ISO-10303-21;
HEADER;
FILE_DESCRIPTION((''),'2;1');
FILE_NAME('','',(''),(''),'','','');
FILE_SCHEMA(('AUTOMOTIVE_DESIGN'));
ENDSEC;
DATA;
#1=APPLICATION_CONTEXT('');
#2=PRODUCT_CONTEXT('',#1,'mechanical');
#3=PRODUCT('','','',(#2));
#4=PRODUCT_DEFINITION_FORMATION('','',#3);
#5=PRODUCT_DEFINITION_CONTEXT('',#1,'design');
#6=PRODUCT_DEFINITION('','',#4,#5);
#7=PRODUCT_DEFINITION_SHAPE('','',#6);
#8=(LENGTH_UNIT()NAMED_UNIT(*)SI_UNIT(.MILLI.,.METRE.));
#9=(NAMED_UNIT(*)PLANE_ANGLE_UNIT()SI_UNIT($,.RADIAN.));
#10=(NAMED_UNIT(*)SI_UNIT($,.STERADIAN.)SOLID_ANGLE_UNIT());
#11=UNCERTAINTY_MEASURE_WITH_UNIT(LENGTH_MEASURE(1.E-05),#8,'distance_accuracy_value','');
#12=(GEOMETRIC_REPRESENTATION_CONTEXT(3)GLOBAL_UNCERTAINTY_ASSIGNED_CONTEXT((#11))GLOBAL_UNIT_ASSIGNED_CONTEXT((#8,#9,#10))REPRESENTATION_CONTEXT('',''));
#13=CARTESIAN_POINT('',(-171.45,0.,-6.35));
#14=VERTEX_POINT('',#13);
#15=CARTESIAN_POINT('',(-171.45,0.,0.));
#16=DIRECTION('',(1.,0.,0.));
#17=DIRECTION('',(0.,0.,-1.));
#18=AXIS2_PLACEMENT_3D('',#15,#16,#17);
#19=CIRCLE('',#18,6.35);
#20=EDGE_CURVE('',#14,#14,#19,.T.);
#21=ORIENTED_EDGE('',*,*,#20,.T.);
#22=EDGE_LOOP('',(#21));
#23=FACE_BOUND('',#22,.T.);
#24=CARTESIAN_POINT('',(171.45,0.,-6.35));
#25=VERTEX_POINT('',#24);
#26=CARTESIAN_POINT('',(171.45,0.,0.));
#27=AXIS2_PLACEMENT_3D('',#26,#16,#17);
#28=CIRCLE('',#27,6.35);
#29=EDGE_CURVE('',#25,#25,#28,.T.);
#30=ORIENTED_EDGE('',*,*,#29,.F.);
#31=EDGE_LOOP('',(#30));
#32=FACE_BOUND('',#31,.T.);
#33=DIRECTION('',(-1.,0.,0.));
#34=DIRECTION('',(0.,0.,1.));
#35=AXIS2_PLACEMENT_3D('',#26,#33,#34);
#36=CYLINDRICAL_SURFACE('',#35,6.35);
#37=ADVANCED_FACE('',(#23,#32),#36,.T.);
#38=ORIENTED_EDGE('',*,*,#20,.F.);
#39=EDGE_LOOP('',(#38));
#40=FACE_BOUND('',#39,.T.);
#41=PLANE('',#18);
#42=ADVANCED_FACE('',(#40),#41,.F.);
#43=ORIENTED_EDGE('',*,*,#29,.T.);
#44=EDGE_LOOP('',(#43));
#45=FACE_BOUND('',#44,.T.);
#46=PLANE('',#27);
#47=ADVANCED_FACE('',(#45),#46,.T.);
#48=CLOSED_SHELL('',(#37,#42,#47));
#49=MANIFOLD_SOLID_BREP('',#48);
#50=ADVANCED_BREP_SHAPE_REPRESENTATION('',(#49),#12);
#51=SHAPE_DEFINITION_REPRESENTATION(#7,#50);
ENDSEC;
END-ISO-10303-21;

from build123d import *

# Parameters (mm, degrees)
SKETCH1_R           = 6.35
BOSS_EXTRUDE1_DEPTH = 171.45


with BuildPart() as part:
    # Sketch1 → Boss-Extrude1 (new body, symmetric)
    with BuildSketch(Plane(origin=(0, 0, 0), x_dir=(0, 0, -1), z_dir=(1, 0, 0))):
        Circle(SKETCH1_R)
    extrude(amount=BOSS_EXTRUDE1_DEPTH, both=True)


solid = part.part
